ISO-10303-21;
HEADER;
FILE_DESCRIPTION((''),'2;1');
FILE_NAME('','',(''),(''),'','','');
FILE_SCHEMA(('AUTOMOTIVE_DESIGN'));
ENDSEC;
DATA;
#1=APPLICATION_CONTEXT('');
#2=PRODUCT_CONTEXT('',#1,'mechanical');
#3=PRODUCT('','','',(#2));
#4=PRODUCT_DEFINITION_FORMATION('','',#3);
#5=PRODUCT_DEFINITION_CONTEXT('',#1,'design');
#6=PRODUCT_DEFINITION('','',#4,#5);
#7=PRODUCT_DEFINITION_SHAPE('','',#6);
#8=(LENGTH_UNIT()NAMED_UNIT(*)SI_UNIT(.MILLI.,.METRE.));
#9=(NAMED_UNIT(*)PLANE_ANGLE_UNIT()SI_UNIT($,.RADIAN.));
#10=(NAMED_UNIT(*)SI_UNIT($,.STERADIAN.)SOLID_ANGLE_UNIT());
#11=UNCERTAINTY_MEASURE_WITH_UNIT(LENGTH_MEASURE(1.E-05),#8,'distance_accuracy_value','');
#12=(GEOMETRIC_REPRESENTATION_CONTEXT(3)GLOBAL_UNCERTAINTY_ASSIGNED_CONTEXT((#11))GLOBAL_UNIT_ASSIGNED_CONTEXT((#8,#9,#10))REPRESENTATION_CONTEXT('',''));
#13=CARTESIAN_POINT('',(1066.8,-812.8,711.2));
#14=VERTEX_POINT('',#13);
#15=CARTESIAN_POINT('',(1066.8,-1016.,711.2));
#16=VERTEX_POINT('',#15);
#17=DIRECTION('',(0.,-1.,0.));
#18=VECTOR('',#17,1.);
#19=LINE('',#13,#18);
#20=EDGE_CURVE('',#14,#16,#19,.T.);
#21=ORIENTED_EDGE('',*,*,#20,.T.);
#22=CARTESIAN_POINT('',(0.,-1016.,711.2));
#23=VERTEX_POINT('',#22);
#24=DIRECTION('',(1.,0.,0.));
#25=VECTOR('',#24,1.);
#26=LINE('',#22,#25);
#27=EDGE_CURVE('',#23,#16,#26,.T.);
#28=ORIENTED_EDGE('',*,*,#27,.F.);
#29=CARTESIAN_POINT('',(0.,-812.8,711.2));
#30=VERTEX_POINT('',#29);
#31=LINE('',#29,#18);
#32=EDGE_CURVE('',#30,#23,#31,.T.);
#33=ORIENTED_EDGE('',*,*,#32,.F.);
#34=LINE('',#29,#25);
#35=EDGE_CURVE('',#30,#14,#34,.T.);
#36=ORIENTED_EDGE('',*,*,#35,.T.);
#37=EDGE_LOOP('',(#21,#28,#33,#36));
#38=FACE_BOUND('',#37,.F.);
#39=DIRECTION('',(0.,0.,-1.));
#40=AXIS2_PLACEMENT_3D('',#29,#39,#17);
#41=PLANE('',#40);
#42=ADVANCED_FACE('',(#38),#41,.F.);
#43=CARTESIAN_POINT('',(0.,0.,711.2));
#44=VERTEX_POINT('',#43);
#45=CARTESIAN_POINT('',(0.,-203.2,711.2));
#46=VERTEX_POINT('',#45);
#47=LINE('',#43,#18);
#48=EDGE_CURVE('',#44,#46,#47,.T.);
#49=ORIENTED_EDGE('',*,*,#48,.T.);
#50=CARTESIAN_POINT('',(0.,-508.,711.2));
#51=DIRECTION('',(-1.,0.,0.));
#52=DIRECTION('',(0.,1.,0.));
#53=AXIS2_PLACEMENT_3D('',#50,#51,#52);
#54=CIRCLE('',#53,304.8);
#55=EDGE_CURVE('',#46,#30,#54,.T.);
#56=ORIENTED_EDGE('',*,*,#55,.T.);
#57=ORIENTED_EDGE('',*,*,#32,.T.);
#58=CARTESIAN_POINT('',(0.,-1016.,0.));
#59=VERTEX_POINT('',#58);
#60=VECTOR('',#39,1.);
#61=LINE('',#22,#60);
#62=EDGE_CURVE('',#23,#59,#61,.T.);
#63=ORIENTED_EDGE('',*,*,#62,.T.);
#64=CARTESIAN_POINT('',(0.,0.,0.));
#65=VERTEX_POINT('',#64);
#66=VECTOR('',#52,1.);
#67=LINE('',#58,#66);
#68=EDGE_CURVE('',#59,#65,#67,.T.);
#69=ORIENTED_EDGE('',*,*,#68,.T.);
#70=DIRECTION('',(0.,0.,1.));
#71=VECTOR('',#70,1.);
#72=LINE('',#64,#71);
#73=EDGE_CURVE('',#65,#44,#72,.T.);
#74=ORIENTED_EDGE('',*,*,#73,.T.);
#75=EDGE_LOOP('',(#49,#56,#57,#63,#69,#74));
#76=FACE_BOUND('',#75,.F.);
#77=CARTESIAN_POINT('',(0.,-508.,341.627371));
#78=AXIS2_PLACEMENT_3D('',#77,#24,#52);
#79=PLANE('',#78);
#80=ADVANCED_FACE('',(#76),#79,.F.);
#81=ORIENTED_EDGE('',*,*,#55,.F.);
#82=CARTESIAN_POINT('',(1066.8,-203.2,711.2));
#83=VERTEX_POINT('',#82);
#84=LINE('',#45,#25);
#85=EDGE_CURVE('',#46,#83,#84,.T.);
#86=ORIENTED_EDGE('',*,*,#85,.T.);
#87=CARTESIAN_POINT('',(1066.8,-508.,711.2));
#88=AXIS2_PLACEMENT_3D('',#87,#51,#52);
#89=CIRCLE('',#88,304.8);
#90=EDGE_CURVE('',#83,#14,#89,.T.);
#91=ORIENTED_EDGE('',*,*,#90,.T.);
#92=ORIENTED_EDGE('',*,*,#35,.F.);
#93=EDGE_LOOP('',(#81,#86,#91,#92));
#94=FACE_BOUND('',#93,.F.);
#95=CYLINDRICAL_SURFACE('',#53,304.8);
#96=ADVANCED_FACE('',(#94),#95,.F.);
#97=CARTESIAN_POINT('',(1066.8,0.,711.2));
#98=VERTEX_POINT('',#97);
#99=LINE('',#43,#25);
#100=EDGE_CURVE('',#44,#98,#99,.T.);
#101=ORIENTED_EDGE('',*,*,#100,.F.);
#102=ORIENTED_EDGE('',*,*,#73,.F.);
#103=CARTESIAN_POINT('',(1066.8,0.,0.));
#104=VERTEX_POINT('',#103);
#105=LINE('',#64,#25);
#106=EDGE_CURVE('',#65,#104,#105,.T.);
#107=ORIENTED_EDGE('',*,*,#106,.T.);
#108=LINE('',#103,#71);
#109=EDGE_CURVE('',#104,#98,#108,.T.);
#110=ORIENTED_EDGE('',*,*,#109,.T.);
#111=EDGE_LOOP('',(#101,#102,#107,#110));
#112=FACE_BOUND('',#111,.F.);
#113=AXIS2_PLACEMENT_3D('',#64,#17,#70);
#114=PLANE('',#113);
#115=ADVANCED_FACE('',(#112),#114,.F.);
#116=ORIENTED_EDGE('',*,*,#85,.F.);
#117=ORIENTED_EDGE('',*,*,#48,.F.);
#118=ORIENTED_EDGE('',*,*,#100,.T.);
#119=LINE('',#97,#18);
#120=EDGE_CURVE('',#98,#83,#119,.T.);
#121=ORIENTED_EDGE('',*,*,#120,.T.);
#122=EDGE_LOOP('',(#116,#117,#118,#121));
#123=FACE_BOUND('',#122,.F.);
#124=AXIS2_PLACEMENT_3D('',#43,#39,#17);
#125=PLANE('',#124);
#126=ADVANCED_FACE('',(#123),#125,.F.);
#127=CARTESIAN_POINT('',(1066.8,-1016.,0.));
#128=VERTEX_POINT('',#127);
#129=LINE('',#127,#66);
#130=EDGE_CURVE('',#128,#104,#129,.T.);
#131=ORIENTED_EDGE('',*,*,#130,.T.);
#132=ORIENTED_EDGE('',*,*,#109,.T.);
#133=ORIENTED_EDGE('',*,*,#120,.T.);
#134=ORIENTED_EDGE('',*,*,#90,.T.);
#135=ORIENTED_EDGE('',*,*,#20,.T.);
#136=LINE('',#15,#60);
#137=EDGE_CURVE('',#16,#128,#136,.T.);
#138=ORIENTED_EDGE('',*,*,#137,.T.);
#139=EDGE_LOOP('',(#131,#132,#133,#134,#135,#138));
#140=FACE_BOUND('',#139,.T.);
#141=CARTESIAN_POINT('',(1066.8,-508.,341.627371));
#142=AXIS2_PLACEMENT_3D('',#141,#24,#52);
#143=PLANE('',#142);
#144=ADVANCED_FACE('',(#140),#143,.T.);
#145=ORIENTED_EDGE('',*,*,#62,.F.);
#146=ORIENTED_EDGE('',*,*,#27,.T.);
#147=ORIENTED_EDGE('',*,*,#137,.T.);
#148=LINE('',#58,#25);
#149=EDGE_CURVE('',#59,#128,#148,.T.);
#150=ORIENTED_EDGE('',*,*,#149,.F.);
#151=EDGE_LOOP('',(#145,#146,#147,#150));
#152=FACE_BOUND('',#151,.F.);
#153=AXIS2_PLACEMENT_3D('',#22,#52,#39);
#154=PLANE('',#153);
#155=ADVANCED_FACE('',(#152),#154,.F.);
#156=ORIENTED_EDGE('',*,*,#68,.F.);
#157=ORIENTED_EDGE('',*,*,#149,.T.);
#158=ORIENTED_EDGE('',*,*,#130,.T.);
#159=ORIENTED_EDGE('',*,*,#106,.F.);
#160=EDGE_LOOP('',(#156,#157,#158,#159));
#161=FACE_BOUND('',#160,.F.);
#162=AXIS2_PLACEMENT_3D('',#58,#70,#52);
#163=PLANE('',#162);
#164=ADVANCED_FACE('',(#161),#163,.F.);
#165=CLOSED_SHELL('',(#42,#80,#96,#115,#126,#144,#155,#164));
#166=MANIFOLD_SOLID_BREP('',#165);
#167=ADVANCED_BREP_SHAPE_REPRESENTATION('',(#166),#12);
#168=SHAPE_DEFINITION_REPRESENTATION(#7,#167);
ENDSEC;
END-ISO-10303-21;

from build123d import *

# Parameters (mm, degrees)
F1_DEPTH = 1066.8


with BuildPart() as f1:
    # F0 (on Right) → F1 (new body)
    with BuildSketch(Plane.YZ):
        with BuildLine():
            Line((-1016, 0), (0, 0))
            Line((0, 0), (0, 711.2))
            Line((0, 711.2), (-203.2, 711.2))
            ThreePointArc((-203.2, 711.2), (-508, 406.4), (-812.8, 711.2))
            Line((-812.8, 711.2), (-1016, 711.2))
            Line((-1016, 711.2), (-1016, 0))
        make_face()
    extrude(amount=F1_DEPTH)


solid = f1.part
